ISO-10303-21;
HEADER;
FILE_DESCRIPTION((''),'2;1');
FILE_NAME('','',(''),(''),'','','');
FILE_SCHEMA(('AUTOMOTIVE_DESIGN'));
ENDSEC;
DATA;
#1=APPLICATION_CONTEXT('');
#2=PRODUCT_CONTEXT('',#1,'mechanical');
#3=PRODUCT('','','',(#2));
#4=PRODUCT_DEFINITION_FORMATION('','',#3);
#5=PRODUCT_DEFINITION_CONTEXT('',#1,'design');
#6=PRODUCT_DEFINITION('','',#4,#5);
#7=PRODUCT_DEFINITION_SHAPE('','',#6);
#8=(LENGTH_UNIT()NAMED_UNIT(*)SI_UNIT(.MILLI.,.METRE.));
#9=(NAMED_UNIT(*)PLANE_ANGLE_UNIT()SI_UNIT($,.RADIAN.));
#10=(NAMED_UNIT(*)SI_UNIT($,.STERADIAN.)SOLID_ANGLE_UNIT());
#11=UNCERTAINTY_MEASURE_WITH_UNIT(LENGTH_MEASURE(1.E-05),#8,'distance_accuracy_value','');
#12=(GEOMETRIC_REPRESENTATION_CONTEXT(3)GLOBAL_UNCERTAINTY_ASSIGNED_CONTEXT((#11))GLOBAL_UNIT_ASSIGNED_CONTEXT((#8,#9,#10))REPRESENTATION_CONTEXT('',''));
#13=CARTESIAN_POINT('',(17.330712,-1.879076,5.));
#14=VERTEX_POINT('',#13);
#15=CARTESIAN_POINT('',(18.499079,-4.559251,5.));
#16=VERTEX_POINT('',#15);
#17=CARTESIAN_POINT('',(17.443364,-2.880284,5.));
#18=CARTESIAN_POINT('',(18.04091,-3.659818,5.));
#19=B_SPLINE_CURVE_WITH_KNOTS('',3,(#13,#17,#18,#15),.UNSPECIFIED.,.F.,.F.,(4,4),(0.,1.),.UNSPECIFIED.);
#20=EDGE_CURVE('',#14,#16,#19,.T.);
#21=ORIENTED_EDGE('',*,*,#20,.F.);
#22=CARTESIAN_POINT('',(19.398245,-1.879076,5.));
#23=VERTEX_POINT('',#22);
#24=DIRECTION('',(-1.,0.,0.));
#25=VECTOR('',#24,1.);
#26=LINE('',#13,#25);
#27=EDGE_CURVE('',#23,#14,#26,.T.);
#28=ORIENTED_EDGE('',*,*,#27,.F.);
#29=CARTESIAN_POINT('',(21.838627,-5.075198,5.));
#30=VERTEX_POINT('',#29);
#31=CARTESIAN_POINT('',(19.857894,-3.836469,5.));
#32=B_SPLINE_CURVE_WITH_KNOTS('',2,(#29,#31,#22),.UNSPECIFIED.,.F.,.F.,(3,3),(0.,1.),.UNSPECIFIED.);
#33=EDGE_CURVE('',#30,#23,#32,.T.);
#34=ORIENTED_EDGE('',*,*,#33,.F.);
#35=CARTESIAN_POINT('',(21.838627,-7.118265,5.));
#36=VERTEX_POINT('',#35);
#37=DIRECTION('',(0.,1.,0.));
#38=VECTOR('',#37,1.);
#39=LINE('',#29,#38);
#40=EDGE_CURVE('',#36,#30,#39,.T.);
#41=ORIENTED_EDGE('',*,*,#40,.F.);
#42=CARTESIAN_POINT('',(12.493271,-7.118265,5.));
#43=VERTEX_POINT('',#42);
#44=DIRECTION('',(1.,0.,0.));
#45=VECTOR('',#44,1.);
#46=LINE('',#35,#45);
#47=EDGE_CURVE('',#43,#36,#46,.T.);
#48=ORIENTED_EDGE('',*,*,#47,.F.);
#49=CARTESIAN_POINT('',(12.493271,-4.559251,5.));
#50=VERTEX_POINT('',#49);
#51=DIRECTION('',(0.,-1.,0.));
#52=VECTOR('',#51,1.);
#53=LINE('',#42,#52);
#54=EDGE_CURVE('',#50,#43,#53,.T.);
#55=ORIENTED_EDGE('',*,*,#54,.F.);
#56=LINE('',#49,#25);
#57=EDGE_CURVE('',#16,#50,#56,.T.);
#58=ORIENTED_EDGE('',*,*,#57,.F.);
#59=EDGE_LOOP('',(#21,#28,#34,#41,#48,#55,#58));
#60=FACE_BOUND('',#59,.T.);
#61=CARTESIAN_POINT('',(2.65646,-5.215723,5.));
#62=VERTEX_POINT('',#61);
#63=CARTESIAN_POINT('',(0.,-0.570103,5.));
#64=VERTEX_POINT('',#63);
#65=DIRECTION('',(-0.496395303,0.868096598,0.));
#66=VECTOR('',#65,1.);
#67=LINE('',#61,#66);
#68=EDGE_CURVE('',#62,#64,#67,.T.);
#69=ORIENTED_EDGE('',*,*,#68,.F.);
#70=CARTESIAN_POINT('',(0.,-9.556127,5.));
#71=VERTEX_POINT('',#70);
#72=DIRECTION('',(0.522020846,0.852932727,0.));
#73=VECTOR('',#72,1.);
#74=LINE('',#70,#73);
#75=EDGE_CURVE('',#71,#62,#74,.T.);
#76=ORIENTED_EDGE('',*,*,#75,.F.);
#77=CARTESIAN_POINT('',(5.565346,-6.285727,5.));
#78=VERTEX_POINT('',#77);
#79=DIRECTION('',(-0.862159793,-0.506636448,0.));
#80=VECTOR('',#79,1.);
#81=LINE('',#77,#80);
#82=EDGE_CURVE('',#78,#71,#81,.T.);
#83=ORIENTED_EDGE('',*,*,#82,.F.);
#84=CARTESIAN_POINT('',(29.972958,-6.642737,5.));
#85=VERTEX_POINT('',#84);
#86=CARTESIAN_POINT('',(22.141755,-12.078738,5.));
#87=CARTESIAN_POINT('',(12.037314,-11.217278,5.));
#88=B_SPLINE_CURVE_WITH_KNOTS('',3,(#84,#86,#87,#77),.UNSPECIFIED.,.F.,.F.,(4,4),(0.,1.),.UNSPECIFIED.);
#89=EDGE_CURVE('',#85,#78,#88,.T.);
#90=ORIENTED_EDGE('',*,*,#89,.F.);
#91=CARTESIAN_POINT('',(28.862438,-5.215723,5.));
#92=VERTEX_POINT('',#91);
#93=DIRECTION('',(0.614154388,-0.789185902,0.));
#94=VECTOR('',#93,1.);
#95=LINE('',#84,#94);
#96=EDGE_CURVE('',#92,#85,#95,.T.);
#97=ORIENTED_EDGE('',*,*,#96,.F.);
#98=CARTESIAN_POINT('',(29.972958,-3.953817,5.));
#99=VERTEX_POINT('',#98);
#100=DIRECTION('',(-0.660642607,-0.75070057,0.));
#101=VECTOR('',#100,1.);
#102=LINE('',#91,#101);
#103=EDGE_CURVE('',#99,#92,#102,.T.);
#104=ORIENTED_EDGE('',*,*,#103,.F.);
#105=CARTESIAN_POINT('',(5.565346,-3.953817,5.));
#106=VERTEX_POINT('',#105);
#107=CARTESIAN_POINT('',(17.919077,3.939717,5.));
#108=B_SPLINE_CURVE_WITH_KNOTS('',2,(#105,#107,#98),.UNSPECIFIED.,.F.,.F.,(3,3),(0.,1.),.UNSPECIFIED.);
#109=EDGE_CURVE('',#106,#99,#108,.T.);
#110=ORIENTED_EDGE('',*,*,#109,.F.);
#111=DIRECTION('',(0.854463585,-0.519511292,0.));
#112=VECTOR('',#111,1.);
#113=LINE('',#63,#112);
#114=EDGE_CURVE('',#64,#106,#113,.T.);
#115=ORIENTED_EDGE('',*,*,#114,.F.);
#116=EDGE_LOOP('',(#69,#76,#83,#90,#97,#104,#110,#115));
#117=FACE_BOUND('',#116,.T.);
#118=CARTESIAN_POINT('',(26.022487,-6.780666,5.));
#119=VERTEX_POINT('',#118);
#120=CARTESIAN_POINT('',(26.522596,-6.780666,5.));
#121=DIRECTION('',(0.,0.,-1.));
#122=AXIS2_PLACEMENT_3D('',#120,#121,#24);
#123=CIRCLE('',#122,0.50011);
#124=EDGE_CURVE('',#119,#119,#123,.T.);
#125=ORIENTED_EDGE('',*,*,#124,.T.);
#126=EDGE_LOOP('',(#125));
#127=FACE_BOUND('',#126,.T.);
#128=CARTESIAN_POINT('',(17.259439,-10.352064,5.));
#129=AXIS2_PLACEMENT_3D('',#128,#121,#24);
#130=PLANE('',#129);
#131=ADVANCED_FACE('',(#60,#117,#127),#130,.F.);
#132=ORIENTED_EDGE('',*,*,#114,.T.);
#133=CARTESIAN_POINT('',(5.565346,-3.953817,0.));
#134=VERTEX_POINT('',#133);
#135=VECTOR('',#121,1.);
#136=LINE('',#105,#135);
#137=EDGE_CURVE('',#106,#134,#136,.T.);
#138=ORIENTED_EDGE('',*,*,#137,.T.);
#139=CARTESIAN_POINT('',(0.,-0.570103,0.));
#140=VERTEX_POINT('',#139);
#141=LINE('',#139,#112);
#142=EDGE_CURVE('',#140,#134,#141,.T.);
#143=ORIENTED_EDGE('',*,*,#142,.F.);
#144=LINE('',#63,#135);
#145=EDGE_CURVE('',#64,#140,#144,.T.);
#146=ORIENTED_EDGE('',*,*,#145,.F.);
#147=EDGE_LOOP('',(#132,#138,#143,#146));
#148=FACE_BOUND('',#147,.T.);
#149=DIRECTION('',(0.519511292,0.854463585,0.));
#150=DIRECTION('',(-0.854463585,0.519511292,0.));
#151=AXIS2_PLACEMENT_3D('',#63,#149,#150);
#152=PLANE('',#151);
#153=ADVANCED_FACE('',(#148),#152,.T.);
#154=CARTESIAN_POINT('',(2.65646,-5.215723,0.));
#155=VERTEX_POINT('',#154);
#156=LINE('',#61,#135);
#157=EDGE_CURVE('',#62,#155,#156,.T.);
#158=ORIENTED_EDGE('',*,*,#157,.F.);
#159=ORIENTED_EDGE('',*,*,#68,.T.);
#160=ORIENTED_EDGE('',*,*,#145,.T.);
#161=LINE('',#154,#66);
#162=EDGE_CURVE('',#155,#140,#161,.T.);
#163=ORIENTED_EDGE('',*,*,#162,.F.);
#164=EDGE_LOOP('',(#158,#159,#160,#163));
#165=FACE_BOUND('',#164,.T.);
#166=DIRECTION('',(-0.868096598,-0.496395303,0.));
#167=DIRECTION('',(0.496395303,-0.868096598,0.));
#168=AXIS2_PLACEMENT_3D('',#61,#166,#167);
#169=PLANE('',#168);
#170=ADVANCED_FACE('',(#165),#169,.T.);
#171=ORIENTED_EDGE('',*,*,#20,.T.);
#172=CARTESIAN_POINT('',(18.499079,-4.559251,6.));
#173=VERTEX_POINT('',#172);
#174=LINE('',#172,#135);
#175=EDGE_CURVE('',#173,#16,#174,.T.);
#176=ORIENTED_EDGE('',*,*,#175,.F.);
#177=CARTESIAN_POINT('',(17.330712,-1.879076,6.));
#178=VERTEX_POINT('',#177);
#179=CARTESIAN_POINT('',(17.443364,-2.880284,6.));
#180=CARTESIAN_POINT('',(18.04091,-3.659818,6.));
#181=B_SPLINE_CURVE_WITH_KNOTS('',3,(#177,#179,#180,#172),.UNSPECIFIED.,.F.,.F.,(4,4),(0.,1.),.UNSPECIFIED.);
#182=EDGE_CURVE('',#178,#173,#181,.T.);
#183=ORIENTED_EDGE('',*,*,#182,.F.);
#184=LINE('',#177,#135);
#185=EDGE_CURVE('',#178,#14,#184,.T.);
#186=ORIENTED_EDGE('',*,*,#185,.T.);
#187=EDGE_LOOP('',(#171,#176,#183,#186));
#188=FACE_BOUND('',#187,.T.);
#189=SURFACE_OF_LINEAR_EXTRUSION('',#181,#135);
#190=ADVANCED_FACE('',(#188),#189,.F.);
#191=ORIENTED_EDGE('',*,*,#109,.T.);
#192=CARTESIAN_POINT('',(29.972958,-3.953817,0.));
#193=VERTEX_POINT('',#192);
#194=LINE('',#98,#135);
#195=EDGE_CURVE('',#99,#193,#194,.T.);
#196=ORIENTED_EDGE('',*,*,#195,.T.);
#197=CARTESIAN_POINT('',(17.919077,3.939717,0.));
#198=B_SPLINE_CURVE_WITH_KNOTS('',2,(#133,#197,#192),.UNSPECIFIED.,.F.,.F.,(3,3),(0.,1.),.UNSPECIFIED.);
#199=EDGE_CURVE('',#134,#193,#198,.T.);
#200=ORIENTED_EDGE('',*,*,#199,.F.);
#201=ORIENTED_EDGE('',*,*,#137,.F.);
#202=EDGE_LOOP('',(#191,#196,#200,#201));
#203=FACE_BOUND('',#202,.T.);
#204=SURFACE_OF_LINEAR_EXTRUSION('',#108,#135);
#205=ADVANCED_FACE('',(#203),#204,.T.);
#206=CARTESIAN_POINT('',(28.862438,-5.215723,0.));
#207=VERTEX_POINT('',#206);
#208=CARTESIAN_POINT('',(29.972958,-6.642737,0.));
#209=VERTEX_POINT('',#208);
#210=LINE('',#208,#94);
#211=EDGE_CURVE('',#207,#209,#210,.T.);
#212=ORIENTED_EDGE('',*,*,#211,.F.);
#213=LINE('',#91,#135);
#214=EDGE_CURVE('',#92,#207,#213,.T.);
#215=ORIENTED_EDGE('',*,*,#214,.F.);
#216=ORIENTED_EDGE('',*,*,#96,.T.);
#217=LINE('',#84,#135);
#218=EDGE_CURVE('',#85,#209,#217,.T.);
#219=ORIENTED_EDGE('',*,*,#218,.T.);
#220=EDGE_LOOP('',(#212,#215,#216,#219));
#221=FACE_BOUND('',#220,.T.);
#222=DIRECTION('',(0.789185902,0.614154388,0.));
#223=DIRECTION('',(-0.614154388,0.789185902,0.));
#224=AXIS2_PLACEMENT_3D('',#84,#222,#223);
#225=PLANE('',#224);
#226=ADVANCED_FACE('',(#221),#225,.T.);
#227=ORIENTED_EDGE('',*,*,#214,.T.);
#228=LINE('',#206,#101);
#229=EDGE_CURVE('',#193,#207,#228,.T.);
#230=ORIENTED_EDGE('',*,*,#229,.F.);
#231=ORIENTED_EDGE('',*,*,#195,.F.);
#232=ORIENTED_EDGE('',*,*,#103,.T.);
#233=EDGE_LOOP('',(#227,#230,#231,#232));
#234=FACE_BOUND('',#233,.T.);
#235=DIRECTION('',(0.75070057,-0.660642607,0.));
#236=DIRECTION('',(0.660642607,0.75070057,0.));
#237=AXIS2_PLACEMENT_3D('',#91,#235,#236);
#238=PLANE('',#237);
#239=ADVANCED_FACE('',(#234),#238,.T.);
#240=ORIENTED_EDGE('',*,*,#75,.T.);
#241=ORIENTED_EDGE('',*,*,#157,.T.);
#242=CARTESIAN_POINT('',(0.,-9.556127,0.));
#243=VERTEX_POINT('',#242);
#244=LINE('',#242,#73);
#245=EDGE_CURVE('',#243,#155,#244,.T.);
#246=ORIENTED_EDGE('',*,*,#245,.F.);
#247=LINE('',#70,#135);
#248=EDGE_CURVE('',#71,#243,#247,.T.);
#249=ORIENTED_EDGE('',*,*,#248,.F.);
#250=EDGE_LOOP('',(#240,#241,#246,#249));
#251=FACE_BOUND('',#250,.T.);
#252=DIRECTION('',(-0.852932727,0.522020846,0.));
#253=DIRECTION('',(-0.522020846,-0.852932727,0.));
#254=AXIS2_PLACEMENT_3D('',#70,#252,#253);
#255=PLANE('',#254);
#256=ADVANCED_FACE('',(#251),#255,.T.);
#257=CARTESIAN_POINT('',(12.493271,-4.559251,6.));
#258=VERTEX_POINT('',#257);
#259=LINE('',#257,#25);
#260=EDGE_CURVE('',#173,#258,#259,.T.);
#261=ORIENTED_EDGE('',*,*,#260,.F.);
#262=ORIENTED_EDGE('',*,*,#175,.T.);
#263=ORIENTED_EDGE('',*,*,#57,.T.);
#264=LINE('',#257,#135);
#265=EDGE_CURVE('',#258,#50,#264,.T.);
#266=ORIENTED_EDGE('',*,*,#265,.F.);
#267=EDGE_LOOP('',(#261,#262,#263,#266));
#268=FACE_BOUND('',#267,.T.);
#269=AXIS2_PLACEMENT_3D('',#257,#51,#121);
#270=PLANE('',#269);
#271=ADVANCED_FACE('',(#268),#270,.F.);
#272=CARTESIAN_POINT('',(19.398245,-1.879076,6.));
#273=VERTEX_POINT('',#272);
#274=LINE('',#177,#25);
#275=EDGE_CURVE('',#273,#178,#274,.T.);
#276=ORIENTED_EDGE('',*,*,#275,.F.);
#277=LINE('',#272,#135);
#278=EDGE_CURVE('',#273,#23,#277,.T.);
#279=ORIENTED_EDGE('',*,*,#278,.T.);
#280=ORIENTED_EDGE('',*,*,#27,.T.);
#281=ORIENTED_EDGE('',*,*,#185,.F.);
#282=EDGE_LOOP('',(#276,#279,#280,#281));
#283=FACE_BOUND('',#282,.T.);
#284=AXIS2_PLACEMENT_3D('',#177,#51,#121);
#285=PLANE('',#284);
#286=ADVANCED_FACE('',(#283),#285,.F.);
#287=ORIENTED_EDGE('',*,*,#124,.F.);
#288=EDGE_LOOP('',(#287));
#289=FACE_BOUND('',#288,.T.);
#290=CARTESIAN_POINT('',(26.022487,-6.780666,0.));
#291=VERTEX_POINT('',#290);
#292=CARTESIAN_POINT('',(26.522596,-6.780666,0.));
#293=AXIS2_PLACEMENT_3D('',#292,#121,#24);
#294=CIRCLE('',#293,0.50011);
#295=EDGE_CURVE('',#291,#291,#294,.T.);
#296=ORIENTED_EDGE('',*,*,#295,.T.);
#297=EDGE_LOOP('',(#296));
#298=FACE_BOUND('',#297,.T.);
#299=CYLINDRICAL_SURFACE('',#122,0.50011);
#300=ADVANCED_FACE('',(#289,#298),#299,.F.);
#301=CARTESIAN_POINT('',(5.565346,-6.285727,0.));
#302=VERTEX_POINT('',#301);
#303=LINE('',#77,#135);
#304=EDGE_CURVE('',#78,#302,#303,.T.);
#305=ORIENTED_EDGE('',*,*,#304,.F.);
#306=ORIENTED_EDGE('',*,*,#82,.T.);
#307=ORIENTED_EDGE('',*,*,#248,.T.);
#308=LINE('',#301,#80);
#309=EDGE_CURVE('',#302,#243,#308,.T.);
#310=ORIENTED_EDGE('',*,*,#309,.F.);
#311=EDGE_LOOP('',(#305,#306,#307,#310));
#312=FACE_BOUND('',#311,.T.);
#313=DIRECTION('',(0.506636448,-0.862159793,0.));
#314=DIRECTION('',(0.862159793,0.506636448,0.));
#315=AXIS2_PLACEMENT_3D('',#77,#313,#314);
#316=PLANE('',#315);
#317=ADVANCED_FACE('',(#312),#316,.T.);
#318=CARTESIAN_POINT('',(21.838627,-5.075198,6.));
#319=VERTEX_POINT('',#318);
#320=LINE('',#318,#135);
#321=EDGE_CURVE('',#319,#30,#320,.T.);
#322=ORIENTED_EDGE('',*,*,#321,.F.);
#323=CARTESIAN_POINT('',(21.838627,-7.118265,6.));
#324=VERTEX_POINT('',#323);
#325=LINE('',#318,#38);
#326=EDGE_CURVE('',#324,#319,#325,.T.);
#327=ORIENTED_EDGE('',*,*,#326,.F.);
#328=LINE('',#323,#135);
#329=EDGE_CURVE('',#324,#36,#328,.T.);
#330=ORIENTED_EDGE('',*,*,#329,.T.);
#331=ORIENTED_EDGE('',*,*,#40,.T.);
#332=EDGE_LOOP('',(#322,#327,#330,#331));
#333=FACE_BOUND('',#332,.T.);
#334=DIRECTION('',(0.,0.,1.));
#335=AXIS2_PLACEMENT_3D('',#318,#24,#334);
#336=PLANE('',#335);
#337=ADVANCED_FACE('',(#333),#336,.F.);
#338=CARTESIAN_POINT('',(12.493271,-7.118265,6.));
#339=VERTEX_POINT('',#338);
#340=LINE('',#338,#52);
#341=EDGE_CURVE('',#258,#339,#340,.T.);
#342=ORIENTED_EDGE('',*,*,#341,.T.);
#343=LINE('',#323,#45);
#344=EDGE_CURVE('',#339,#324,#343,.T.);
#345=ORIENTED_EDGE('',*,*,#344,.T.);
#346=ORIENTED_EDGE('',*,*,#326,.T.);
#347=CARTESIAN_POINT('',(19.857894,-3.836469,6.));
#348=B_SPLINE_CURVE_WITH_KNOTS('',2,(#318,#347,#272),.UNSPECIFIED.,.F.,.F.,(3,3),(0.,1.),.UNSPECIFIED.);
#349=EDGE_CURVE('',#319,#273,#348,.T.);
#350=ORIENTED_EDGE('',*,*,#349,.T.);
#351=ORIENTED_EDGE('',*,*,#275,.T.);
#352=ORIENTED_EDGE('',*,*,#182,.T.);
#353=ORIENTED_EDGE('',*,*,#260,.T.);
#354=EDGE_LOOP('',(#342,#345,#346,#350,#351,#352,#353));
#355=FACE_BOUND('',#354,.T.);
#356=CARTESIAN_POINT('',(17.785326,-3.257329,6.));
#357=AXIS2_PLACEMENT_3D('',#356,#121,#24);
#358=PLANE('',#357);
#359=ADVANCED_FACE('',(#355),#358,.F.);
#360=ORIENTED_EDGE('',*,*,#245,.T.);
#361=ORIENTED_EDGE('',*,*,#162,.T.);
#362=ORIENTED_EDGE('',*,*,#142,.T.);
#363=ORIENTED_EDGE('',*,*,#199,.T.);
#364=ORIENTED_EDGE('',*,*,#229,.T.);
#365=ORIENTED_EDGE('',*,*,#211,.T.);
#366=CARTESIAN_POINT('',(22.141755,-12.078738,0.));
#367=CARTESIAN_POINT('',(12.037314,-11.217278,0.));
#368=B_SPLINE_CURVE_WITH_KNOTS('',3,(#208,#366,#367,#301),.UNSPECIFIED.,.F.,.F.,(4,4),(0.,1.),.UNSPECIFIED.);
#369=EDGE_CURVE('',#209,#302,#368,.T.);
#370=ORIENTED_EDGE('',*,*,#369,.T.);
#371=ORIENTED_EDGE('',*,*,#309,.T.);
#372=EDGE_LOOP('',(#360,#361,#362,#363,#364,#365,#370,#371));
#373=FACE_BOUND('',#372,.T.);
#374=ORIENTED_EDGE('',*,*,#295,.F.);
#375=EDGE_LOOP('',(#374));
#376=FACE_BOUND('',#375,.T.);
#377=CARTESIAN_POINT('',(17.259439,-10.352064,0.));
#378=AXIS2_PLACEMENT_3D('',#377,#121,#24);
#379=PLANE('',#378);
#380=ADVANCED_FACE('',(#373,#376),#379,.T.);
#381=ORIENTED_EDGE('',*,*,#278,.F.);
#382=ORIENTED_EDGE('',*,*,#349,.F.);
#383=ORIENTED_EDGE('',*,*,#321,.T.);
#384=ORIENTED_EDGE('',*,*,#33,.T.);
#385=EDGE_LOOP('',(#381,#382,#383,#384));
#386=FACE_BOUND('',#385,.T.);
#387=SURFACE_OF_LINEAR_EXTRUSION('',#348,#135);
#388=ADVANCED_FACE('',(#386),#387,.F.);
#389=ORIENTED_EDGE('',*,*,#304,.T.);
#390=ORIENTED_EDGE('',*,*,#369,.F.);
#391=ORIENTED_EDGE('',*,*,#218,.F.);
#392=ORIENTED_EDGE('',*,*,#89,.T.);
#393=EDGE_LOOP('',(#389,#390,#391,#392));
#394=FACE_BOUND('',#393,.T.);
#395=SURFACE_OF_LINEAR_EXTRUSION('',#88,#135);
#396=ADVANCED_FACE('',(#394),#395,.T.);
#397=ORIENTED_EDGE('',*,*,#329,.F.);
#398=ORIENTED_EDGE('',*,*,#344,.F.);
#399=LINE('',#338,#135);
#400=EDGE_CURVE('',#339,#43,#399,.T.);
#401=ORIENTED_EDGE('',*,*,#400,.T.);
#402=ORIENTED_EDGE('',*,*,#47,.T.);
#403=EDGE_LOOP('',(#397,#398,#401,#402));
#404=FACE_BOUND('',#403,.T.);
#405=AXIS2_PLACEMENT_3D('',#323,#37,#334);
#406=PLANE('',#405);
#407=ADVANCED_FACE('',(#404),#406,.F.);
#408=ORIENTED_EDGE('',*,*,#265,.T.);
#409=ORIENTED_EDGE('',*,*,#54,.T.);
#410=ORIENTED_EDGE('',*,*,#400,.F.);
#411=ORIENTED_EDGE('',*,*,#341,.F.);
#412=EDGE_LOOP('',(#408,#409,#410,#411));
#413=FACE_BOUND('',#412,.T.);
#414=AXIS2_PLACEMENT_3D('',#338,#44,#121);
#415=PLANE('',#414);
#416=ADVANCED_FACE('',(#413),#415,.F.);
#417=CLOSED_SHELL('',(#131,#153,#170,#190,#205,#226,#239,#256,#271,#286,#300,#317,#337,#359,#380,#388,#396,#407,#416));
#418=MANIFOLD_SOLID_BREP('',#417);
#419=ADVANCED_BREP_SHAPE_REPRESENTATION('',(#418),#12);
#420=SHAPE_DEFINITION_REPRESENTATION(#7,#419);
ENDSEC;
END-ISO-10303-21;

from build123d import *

# Parameters (mm, degrees)
SKETCH2_R           = 0.500109693
BOSS_EXTRUDE1_DEPTH = 5
BOSS_EXTRUDE2_DEPTH = 1


with BuildPart() as part:
    # Sketch2 → Boss-Extrude1 (new body)
    with BuildSketch(Plane(origin=(0, 0, 0), x_dir=(1, 0, 0), z_dir=(0, 0, -1))):
        with BuildLine():
            Line((29.97295835, 6.642737104), (28.862437793, 5.215722686))
            Line((28.862437793, 5.215722686), (29.97295835, 3.953817374))
            add(Edge.make_bspline(
                [(5.565346412, 3.953817374), (17.919076804, -3.939717318), (29.97295835, 3.953817374)],
                knots=[0, 0, 0, 1, 1, 1], degree=2))
            Line((5.565346412, 3.953817374), (0, 0.570103483))
            Line((0, 0.570103483), (2.65645961, 5.215722686))
            Line((2.65645961, 5.215722686), (0, 9.556126627))
            Line((0, 9.556126627), (5.565346412, 6.285726684))
            add(Edge.make_bspline(
                [(5.565346412, 6.285726684), (12.037313538, 11.217277608), (22.14175538, 12.07873787), (29.97295835, 6.642737104)],
                knots=[0, 0, 0, 0, 1, 1, 1, 1], degree=3))
        make_face()
        with Locations(Location((26.5225963, 6.780666166, 0), (0, 0, 180))):
            Circle(SKETCH2_R, mode=Mode.SUBTRACT)
    extrude(amount=-BOSS_EXTRUDE1_DEPTH)

    # Sketch4 → Boss-Extrude2 (add)
    with BuildSketch(Plane(origin=(0, 0, 5), x_dir=(-1, 0, 0), z_dir=(0, 0, 1))):
        with BuildLine():
            Line((-17.330711562, 1.879075557), (-19.398244519, 1.879075557))
            add(Edge.make_bspline(
                [(-19.398244519, 1.879075557), (-19.857893705, 3.836469275), (-21.838627479, 5.07519839)],
                knots=[0, 0, 0, 1, 1, 1], degree=2))
            Line((-21.838627479, 5.07519839), (-21.838627479, 7.118264722))
            Line((-21.838627479, 7.118264722), (-12.493271281, 7.118264722))
            Line((-12.493271281, 7.118264722), (-12.493271281, 4.559250574))
            Line((-12.493271281, 4.559250574), (-18.4990791, 4.559250574))
            add(Edge.make_bspline(
                [(-18.4990791, 4.559250574), (-18.040909727, 3.659817697), (-17.443363766, 2.880283759), (-17.330711562, 1.879075557)],
                knots=[0, 0, 0, 0, 1, 1, 1, 1], degree=3))
        make_face()
    extrude(amount=BOSS_EXTRUDE2_DEPTH)


solid = part.part
